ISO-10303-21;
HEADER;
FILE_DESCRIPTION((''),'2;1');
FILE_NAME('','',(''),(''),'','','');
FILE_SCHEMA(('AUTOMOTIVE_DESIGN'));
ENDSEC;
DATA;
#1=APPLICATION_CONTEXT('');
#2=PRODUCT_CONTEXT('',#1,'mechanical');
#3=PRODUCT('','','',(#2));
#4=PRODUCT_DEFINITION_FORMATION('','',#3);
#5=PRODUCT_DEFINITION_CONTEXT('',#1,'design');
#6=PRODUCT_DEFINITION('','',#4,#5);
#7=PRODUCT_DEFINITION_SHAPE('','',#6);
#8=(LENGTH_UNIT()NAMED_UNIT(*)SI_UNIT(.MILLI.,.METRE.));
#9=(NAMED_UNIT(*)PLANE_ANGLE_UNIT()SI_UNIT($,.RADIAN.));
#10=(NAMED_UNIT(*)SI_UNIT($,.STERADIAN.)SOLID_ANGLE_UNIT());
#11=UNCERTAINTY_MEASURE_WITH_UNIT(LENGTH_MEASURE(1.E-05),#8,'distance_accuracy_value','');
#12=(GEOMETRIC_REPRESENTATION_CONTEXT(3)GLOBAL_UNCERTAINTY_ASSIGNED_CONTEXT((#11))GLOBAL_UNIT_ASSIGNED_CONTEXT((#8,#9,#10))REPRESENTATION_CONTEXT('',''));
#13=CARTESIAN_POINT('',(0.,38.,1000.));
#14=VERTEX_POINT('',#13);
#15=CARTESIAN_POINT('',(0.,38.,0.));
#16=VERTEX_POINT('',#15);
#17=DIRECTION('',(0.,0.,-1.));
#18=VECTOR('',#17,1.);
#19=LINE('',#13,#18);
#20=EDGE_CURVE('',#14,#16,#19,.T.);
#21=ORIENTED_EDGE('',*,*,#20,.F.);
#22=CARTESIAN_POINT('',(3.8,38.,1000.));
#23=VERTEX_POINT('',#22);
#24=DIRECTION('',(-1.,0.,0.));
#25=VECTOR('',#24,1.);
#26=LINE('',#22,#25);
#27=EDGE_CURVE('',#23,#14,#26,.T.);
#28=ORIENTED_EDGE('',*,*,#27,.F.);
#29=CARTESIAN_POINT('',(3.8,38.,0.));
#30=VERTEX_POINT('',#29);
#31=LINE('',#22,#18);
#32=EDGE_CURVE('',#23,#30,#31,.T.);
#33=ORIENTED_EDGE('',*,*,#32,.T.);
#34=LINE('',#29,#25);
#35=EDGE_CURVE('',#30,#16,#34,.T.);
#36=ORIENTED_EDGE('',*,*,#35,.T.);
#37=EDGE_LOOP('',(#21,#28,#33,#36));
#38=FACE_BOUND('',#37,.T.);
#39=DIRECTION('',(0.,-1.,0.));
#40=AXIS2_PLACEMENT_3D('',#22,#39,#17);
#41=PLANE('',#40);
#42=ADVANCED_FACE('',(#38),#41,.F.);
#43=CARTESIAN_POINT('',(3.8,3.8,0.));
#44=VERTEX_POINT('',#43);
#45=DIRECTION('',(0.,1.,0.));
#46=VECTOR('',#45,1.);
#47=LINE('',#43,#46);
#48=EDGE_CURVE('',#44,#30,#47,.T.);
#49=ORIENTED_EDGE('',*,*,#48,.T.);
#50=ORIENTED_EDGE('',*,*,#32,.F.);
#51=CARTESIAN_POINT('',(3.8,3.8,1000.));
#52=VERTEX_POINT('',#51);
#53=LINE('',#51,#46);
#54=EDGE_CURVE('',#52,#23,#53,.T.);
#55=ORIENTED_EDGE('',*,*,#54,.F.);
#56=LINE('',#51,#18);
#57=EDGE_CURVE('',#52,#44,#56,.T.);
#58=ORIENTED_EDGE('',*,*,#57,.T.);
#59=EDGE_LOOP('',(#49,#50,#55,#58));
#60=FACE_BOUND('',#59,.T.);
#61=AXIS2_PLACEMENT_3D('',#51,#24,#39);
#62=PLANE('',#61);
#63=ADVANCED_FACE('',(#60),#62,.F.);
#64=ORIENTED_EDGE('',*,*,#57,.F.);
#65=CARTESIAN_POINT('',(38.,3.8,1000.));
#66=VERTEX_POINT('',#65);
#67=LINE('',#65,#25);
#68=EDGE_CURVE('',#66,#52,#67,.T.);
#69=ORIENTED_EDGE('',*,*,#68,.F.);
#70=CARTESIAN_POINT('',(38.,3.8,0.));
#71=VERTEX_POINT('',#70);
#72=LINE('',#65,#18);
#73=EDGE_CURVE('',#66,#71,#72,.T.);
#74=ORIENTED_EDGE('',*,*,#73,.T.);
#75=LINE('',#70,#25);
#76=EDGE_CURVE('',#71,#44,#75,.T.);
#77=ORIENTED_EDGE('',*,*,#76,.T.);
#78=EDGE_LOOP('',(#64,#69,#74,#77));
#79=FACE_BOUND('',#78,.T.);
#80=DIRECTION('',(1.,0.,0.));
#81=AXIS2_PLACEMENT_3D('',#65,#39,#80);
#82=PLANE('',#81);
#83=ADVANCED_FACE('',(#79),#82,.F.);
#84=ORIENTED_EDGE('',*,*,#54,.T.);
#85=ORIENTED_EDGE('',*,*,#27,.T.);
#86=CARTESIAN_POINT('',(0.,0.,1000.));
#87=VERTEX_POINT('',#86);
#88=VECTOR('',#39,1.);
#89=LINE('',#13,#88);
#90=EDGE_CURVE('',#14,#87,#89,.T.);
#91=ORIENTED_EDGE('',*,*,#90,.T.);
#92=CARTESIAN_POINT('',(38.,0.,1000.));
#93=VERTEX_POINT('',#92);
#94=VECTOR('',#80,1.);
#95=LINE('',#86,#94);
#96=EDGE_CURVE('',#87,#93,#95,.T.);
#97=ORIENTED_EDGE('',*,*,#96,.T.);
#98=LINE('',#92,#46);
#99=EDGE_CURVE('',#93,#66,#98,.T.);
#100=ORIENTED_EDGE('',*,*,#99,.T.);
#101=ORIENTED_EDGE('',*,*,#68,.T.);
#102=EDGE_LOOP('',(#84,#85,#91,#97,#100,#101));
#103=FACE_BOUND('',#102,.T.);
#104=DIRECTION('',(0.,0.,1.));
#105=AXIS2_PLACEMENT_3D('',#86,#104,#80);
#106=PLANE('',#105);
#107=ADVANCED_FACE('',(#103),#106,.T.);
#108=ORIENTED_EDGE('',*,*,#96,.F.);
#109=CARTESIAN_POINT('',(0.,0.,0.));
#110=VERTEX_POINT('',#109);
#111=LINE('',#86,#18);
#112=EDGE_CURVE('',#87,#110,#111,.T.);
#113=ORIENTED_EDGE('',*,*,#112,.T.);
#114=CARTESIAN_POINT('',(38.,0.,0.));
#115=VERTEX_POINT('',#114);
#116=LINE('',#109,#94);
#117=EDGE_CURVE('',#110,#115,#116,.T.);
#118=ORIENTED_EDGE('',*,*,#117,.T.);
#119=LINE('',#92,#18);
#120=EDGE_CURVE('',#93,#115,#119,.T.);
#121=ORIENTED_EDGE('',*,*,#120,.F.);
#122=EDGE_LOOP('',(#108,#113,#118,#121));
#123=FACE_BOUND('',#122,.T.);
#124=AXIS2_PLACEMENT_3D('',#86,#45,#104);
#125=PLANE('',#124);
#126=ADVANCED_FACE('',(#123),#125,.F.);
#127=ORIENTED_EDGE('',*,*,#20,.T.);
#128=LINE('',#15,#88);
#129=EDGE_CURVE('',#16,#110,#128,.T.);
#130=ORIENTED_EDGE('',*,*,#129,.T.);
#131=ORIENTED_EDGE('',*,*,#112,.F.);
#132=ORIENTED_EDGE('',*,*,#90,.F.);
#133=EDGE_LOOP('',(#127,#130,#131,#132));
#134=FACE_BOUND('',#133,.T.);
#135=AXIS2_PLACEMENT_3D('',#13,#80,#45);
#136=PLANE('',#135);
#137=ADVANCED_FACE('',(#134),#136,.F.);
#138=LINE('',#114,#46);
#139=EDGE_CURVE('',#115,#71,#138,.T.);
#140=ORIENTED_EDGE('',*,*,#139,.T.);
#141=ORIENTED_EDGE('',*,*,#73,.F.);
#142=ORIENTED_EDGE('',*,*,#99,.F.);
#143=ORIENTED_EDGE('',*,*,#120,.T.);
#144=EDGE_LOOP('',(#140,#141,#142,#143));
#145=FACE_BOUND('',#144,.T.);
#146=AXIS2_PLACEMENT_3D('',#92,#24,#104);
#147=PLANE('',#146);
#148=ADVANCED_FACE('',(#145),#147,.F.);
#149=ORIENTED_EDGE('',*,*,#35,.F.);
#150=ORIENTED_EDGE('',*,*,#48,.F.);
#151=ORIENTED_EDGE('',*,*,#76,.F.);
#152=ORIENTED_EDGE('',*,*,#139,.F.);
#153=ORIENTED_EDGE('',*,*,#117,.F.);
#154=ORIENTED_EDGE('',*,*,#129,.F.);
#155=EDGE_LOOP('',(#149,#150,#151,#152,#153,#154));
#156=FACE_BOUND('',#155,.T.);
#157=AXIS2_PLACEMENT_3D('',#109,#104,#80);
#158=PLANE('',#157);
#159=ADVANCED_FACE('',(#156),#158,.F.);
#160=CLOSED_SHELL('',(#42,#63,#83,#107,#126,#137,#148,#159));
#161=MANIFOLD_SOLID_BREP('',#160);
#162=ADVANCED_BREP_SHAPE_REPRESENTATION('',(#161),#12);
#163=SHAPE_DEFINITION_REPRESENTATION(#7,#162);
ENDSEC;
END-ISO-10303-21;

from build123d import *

# Parameters (mm, degrees)
EXTRUDE_1_DEPTH = 1000


with BuildPart() as part:
    # Эскиз1 → Бобышка-Вытянуть1 (new body)
    with BuildSketch(Plane.XY):
        Polygon((0, 38), (0, 0), (38, 0), (38, 3.8), (3.8, 3.8), (3.8, 38), align=None)
    extrude(amount=EXTRUDE_1_DEPTH)


solid = part.part
